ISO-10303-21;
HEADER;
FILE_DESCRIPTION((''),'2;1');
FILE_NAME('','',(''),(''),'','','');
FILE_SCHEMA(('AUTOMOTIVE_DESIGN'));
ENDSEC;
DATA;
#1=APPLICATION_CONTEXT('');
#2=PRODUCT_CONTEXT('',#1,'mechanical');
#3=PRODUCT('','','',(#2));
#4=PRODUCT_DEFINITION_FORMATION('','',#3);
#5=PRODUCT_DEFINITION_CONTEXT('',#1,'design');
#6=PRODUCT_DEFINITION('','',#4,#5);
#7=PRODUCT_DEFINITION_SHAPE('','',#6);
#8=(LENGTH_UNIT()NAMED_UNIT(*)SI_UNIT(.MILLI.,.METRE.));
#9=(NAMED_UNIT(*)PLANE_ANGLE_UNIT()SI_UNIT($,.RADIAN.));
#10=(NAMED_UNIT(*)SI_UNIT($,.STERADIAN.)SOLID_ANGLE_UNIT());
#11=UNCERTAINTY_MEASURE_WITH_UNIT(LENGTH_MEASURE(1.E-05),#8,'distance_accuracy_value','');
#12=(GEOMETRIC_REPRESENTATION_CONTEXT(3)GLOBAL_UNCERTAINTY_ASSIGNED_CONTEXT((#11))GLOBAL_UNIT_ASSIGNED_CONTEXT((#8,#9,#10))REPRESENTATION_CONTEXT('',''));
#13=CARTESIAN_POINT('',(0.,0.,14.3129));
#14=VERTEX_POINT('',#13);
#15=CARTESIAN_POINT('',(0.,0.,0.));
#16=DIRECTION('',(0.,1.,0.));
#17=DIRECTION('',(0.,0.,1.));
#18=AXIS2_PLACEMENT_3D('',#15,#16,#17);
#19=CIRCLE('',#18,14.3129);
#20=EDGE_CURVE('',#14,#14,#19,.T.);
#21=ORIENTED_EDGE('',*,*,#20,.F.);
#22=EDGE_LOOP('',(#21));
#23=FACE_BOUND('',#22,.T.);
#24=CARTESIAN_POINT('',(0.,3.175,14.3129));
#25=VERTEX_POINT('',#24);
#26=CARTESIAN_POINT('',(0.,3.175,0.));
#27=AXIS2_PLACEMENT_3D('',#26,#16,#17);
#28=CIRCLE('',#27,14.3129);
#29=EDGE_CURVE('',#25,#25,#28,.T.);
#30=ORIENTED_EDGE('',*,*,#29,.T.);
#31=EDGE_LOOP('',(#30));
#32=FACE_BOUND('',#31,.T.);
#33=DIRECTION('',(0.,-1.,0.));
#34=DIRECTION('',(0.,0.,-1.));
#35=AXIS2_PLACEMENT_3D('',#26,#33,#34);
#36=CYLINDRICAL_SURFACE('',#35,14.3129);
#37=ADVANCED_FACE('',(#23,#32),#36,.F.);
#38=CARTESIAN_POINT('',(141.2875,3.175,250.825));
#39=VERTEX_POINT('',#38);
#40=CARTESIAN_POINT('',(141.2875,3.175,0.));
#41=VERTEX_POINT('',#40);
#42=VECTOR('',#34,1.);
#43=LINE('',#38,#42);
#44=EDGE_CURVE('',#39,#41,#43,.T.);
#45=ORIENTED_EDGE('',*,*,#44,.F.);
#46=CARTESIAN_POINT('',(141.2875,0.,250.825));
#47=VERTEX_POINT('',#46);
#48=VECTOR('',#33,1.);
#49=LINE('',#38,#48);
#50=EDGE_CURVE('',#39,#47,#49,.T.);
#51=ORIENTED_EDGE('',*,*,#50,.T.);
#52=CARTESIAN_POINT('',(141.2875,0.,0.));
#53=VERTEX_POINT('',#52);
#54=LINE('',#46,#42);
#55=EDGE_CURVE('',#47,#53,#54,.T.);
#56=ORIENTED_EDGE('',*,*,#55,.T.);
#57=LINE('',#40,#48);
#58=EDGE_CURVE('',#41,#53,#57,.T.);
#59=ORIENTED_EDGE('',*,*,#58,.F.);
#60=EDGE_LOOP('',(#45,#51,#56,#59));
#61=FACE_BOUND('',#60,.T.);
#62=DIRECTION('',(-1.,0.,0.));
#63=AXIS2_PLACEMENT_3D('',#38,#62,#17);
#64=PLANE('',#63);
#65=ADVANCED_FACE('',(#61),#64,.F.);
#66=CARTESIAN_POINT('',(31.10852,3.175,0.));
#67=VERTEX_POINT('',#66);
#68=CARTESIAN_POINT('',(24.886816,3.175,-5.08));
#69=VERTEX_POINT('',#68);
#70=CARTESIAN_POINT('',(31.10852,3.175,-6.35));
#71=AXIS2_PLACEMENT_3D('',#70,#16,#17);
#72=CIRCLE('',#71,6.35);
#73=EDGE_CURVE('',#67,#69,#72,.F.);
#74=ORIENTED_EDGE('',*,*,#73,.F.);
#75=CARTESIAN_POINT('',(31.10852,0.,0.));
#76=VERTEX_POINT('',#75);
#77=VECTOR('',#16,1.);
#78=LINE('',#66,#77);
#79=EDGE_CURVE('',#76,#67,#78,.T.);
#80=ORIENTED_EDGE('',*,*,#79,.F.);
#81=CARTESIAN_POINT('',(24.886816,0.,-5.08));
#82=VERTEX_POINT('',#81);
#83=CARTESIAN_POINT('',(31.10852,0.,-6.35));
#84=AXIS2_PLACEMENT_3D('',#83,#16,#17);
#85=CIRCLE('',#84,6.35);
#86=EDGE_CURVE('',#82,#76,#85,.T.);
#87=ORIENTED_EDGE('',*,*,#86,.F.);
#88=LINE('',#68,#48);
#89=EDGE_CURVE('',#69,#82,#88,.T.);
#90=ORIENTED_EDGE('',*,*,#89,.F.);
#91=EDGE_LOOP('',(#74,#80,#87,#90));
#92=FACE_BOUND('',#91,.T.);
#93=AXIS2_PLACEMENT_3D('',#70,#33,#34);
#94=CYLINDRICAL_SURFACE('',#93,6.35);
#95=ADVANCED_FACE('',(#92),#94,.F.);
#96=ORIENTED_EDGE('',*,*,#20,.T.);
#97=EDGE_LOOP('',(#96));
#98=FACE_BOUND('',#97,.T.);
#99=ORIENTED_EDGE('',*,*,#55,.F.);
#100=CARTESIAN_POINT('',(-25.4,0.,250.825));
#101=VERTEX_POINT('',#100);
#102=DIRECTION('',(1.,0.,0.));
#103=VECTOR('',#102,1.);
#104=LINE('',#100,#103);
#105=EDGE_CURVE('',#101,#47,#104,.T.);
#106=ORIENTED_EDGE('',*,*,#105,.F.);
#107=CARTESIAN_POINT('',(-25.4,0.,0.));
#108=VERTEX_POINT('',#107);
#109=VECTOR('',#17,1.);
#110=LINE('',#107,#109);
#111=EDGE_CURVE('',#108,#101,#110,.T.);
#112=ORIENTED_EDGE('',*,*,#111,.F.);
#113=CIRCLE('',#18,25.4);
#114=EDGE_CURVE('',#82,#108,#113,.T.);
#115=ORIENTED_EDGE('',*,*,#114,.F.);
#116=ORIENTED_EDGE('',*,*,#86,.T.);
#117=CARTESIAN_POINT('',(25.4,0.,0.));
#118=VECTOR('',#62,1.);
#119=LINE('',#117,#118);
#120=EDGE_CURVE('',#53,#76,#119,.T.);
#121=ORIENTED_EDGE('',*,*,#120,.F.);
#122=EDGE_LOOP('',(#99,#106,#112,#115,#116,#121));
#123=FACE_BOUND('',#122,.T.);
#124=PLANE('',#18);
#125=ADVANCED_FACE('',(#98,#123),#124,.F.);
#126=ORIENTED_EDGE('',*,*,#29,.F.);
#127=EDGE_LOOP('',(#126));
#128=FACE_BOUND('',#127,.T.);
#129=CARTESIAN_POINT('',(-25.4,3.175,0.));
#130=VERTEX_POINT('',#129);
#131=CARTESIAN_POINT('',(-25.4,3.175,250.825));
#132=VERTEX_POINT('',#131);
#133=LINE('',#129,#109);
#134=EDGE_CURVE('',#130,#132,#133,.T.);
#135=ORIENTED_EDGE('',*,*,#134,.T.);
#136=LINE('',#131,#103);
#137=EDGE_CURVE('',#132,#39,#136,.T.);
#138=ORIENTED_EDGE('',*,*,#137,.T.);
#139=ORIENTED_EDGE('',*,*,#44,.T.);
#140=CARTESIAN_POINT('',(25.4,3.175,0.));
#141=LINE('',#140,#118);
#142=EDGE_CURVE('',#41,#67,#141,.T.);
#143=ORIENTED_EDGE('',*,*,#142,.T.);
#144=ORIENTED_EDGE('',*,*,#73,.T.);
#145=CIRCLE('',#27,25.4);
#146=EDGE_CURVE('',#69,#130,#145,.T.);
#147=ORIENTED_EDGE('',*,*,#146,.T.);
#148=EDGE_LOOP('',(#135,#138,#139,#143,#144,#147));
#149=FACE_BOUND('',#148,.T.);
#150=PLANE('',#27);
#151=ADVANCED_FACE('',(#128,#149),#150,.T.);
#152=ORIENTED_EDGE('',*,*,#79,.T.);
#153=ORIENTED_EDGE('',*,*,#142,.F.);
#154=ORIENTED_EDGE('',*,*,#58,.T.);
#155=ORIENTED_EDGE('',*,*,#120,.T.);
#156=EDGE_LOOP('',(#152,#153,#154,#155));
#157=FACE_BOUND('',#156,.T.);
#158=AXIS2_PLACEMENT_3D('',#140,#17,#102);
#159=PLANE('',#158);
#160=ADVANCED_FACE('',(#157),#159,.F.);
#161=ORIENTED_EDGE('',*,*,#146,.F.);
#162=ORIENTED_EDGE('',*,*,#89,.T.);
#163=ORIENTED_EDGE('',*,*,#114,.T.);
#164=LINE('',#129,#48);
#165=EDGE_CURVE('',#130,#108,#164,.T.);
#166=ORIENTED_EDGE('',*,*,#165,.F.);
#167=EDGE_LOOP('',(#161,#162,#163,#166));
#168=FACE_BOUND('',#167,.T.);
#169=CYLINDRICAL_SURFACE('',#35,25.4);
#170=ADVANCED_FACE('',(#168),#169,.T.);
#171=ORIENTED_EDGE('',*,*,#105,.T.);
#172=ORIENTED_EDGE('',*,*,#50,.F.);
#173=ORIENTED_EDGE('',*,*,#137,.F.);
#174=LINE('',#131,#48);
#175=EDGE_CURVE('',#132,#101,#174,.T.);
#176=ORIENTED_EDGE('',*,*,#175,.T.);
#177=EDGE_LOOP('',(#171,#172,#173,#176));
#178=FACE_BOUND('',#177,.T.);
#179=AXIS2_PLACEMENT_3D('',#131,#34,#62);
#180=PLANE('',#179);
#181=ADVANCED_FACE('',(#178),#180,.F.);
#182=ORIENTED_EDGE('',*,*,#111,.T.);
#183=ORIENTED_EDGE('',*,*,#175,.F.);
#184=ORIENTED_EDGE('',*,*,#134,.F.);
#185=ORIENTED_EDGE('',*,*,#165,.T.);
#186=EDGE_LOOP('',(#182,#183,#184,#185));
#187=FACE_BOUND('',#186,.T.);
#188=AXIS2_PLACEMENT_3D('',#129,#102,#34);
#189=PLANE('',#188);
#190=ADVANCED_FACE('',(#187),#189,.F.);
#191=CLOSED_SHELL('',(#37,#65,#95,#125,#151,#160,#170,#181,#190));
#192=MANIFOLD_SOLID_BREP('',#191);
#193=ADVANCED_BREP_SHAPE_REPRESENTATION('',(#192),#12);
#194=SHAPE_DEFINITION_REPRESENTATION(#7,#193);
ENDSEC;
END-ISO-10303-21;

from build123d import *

# Parameters (mm, degrees)
SKETCH1_R           = 14.3129
BOSS_EXTRUDE1_DEPTH = 3.175
FILLET2_R           = 6.35


with BuildPart() as part:
    # Sketch1 → Boss-Extrude1 (new body)
    with BuildSketch(Plane(origin=(0, 0, 0), x_dir=(1, 0, 0), z_dir=(0, 1, 0))):
        with BuildLine():
            Line((-25.4, 0), (-25.4, -250.825))
            Line((-25.4, -250.825), (141.2875, -250.825))
            Line((141.2875, -250.825), (141.2875, 0))
            Line((141.2875, 0), (25.4, 0))
            ThreePointArc((25.4, 0), (0, 25.4), (-25.4, 0))
        make_face()
        Circle(SKETCH1_R, mode=Mode.SUBTRACT)
    extrude(amount=BOSS_EXTRUDE1_DEPTH)

    # Fillet2
    fillet2_edges = [part.edges().sort_by_distance(p)[0] for p in [
        (25.4, 1.5875, 0),
    ]]
    fillet(fillet2_edges, radius=FILLET2_R)


solid = part.part
